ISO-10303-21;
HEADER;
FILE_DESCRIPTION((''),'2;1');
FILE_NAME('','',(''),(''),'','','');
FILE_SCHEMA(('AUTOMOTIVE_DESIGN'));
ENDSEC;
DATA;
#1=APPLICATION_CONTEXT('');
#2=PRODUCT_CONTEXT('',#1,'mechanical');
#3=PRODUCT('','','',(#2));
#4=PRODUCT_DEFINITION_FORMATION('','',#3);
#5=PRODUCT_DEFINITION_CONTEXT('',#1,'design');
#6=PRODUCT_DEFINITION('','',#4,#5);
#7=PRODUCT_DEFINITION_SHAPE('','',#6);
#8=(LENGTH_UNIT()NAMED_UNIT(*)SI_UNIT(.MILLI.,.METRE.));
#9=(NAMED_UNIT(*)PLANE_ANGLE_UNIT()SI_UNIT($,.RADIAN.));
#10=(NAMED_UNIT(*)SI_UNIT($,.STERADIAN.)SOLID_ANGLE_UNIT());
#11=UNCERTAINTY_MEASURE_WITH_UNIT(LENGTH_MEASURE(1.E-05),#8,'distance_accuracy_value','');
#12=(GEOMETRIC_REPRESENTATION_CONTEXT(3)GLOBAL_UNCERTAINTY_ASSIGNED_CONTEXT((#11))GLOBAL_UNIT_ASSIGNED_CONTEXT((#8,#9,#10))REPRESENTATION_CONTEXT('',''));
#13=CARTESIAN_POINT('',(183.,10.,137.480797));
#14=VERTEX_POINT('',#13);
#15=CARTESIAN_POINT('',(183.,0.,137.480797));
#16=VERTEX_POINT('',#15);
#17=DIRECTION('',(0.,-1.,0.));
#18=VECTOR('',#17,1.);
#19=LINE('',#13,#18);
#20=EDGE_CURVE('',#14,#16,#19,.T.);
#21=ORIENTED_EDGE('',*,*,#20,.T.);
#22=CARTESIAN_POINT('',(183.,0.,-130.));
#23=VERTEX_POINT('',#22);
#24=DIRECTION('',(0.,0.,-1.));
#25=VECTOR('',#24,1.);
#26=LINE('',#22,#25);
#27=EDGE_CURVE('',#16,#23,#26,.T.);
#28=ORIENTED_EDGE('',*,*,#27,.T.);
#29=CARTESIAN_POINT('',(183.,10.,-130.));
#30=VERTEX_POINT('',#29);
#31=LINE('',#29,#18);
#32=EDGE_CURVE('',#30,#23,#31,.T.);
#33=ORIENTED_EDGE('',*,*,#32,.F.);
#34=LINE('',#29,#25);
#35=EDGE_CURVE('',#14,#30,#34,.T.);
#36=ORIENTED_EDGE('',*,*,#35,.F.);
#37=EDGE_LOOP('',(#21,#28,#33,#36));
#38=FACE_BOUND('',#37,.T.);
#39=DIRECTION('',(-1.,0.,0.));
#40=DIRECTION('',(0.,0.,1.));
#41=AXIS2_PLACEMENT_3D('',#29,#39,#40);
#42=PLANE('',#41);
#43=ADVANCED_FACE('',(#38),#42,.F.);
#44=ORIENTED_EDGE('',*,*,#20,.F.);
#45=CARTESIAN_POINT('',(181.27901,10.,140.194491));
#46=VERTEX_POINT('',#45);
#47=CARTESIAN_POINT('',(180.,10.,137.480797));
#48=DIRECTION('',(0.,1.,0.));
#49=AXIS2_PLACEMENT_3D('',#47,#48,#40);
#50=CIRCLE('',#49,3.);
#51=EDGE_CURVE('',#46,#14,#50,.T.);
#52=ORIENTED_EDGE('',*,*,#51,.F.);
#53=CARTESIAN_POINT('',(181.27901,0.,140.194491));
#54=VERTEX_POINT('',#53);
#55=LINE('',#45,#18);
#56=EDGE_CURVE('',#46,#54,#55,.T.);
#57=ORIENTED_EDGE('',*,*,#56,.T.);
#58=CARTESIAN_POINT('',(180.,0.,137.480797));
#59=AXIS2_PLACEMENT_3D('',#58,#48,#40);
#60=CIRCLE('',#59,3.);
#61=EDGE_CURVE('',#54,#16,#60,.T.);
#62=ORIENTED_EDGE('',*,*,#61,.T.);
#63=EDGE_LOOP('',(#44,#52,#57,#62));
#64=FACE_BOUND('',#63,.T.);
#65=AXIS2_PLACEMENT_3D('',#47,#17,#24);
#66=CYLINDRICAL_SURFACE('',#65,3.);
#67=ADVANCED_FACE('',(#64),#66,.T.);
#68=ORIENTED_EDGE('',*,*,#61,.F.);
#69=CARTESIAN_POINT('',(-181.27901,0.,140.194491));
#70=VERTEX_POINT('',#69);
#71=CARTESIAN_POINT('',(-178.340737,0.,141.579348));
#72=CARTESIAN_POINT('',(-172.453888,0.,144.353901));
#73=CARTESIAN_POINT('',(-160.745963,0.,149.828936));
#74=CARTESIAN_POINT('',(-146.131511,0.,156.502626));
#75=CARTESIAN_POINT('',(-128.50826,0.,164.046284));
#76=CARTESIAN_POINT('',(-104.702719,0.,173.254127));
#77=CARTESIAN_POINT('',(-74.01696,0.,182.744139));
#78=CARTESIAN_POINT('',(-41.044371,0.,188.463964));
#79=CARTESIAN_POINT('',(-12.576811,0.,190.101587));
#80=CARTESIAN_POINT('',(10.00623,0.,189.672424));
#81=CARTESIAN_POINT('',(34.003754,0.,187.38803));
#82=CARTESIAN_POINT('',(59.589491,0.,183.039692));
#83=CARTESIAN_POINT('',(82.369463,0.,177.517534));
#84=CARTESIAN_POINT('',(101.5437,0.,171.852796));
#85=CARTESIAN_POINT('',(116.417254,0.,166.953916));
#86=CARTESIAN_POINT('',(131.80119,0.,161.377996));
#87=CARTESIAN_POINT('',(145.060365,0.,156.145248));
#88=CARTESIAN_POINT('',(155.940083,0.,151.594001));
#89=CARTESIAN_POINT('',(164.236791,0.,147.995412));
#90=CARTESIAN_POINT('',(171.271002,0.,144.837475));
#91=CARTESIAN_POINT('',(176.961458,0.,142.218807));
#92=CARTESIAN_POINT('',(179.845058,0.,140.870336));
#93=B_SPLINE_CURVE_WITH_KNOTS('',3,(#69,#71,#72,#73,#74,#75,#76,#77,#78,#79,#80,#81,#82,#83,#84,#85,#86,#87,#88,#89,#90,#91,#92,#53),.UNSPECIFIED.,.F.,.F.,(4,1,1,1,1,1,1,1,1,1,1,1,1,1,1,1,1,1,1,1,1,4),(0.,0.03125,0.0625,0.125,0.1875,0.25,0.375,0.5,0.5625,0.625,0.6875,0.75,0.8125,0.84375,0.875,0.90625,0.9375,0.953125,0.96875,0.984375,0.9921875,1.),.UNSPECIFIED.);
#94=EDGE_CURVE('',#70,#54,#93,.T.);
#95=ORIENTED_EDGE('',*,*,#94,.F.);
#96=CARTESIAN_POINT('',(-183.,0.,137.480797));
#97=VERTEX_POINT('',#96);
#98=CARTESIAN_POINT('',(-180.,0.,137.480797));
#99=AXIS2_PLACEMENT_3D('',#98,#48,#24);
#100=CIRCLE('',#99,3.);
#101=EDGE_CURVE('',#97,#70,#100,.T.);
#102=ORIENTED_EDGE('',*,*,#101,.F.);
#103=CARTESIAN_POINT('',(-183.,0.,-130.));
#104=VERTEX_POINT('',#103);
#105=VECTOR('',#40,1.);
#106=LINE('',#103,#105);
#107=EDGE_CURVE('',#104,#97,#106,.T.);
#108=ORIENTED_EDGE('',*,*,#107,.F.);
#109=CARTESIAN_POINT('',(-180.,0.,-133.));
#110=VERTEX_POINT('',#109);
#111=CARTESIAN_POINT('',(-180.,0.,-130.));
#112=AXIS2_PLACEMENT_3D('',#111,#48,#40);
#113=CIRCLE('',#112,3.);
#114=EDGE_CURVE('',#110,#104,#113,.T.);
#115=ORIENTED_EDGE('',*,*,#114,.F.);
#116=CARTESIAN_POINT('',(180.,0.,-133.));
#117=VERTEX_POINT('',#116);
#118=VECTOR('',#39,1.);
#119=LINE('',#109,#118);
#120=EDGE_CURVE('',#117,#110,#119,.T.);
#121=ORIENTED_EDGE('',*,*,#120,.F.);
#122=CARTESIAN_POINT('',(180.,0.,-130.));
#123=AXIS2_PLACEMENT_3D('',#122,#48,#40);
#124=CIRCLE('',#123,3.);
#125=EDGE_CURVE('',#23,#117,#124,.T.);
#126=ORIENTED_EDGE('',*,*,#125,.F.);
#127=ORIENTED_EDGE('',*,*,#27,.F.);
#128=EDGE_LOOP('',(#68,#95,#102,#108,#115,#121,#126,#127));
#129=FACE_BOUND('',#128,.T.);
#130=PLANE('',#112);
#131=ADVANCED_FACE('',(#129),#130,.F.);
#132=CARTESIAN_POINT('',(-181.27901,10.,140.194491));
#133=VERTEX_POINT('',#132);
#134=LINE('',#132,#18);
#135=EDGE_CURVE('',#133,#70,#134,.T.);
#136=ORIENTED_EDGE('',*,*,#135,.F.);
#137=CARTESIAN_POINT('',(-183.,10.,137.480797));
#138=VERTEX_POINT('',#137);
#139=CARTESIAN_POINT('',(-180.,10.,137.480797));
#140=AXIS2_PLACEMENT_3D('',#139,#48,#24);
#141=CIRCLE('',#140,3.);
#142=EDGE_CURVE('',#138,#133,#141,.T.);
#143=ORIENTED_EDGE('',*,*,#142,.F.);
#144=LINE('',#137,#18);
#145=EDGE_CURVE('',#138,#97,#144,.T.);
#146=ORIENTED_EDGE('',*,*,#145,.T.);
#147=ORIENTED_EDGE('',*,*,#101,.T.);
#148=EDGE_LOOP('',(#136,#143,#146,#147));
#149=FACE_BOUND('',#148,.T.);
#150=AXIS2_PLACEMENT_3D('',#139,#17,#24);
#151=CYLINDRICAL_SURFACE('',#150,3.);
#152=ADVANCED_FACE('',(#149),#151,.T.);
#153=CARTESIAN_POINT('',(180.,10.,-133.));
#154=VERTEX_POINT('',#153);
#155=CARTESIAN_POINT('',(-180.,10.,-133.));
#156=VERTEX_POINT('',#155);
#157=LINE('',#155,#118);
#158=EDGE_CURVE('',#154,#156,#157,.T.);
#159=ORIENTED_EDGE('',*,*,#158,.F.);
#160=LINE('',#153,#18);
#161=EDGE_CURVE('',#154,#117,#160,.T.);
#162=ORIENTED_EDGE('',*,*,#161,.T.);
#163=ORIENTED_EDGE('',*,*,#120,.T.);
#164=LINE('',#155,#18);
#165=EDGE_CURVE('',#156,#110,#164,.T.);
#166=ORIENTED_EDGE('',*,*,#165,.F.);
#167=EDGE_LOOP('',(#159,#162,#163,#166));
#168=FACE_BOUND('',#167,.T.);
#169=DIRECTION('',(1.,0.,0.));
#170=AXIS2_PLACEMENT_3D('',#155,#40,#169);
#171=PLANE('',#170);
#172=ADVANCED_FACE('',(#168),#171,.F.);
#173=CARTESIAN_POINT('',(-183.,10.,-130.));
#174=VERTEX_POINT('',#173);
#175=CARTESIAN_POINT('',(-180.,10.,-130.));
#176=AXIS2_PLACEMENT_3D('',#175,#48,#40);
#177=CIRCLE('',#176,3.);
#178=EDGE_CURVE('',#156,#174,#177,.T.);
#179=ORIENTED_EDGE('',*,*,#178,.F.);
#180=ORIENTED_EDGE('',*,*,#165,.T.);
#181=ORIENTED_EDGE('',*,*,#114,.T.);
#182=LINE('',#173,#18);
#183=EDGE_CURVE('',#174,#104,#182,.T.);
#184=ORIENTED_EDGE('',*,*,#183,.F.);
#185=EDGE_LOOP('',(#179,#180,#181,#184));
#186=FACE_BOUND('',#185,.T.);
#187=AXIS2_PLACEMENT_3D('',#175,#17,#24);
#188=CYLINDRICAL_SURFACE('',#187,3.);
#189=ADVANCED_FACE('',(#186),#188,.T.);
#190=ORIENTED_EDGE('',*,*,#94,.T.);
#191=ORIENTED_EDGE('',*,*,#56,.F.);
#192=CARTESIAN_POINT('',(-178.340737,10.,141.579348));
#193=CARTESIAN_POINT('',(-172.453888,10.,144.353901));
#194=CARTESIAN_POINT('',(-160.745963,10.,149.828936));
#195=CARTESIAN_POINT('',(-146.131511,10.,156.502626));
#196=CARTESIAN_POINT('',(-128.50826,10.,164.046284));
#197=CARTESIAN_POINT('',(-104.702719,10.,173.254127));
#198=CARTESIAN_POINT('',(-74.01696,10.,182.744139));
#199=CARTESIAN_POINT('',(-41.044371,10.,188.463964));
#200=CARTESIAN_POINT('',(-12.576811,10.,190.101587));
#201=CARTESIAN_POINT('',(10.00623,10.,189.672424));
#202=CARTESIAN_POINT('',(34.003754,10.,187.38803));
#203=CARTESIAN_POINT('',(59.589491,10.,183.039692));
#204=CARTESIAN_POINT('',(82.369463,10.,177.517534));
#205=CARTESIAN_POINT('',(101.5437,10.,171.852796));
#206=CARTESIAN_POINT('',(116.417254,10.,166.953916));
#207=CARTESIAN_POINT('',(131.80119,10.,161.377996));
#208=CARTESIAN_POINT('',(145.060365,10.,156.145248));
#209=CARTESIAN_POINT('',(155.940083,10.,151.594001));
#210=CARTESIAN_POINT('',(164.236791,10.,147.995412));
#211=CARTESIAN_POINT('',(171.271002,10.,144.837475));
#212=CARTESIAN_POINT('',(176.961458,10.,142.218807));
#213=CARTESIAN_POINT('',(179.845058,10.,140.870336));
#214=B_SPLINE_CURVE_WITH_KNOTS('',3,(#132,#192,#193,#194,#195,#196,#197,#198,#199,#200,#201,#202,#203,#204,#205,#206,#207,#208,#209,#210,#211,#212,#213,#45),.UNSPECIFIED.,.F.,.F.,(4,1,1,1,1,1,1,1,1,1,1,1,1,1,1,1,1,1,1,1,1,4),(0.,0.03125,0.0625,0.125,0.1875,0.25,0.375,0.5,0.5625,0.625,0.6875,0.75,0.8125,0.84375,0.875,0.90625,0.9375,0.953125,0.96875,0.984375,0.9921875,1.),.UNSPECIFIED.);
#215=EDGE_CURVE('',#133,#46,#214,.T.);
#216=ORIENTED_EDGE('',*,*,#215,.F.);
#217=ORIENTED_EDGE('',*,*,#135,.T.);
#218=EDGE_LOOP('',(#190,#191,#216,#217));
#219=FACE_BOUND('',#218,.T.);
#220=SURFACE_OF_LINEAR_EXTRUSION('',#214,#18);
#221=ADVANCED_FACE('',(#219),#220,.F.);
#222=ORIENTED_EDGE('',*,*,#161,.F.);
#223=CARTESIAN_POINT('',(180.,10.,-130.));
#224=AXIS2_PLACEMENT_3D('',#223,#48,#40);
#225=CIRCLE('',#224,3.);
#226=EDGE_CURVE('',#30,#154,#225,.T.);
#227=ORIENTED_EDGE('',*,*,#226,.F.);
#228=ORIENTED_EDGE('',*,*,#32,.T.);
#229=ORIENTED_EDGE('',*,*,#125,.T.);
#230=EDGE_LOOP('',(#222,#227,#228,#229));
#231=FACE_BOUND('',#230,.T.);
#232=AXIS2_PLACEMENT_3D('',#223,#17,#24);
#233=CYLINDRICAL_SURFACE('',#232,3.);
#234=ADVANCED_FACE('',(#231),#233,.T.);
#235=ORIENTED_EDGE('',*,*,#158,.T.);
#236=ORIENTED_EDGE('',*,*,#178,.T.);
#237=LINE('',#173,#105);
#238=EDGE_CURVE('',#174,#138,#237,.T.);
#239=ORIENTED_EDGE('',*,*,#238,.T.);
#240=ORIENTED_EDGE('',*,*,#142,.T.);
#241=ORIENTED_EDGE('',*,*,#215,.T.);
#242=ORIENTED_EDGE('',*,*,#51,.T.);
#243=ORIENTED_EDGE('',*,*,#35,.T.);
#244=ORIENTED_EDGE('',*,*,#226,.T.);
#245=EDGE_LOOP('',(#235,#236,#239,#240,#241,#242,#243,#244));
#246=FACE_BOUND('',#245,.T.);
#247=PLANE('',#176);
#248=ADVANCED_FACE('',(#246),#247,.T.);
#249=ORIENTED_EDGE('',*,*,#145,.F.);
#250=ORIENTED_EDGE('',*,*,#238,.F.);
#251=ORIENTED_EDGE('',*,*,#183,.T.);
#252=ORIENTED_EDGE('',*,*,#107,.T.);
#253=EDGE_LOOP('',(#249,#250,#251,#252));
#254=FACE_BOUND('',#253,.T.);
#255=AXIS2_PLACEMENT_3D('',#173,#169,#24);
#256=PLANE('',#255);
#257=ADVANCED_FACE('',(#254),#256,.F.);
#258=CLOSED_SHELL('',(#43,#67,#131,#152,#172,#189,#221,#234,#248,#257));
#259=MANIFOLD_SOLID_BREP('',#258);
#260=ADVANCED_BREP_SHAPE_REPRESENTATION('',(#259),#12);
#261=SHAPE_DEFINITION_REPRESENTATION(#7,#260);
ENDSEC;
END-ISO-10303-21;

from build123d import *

# Parameters (mm, degrees)
BOSS_EXTRUDE1_DEPTH = 10


with BuildPart() as part:
    # Sketch1 → Boss-Extrude1 (new body)
    with BuildSketch(Plane(origin=(0, 0, 0), x_dir=(1, 0, 0), z_dir=(0, 1, 0))):
        with BuildLine():
            Line((-183, 130), (-183, -137.480797285))
            ThreePointArc((-183, -137.480797285), (-182.533478711, -139.087497512), (-181.279009588, -140.194491165))
            add(Edge.make_bspline(
                [(-181.279009588, -140.194491165), (-178.340737073, -141.579348442), (-172.453888435, -144.353901137), (-160.745962638, -149.828936181), (-146.131511082, -156.50262626), (-128.508260207, -164.046283741), (-104.70271928, -173.254127298), (-74.01695968, -182.744139439), (-41.044371476, -188.463963896), (-12.576810854, -190.101586868), (10.006230222, -189.672423751), (34.003753798, -187.388029591), (59.589491457, -183.03969182), (82.369462797, -177.517534008), (101.543699637, -171.852795873), (116.417253833, -166.953916141), (131.801190076, -161.377995825), (145.060365154, -156.145247632), (155.940082719, -151.594001252), (164.236790758, -147.995411699), (171.271002297, -144.837475157), (176.961457618, -142.218806841), (179.845058415, -140.870336481), (181.279009588, -140.194491165)],
                knots=[0, 0, 0, 0, 0.03125, 0.0625, 0.125, 0.1875, 0.25, 0.375, 0.5, 0.5625, 0.625, 0.6875, 0.75, 0.8125, 0.84375, 0.875, 0.90625, 0.9375, 0.953125, 0.96875, 0.984375, 0.9921875, 1, 1, 1, 1], degree=3))
            ThreePointArc((181.279009588, -140.194491165), (182.533478711, -139.087497512), (183, -137.480797285))
            Line((183, -137.480797285), (183, 130))
            ThreePointArc((183, 130), (182.121320344, 132.121320344), (180, 133))
            Line((180, 133), (-180, 133))
            ThreePointArc((-180, 133), (-182.121320344, 132.121320344), (-183, 130))
        make_face()
    extrude(amount=BOSS_EXTRUDE1_DEPTH)


solid = part.part
